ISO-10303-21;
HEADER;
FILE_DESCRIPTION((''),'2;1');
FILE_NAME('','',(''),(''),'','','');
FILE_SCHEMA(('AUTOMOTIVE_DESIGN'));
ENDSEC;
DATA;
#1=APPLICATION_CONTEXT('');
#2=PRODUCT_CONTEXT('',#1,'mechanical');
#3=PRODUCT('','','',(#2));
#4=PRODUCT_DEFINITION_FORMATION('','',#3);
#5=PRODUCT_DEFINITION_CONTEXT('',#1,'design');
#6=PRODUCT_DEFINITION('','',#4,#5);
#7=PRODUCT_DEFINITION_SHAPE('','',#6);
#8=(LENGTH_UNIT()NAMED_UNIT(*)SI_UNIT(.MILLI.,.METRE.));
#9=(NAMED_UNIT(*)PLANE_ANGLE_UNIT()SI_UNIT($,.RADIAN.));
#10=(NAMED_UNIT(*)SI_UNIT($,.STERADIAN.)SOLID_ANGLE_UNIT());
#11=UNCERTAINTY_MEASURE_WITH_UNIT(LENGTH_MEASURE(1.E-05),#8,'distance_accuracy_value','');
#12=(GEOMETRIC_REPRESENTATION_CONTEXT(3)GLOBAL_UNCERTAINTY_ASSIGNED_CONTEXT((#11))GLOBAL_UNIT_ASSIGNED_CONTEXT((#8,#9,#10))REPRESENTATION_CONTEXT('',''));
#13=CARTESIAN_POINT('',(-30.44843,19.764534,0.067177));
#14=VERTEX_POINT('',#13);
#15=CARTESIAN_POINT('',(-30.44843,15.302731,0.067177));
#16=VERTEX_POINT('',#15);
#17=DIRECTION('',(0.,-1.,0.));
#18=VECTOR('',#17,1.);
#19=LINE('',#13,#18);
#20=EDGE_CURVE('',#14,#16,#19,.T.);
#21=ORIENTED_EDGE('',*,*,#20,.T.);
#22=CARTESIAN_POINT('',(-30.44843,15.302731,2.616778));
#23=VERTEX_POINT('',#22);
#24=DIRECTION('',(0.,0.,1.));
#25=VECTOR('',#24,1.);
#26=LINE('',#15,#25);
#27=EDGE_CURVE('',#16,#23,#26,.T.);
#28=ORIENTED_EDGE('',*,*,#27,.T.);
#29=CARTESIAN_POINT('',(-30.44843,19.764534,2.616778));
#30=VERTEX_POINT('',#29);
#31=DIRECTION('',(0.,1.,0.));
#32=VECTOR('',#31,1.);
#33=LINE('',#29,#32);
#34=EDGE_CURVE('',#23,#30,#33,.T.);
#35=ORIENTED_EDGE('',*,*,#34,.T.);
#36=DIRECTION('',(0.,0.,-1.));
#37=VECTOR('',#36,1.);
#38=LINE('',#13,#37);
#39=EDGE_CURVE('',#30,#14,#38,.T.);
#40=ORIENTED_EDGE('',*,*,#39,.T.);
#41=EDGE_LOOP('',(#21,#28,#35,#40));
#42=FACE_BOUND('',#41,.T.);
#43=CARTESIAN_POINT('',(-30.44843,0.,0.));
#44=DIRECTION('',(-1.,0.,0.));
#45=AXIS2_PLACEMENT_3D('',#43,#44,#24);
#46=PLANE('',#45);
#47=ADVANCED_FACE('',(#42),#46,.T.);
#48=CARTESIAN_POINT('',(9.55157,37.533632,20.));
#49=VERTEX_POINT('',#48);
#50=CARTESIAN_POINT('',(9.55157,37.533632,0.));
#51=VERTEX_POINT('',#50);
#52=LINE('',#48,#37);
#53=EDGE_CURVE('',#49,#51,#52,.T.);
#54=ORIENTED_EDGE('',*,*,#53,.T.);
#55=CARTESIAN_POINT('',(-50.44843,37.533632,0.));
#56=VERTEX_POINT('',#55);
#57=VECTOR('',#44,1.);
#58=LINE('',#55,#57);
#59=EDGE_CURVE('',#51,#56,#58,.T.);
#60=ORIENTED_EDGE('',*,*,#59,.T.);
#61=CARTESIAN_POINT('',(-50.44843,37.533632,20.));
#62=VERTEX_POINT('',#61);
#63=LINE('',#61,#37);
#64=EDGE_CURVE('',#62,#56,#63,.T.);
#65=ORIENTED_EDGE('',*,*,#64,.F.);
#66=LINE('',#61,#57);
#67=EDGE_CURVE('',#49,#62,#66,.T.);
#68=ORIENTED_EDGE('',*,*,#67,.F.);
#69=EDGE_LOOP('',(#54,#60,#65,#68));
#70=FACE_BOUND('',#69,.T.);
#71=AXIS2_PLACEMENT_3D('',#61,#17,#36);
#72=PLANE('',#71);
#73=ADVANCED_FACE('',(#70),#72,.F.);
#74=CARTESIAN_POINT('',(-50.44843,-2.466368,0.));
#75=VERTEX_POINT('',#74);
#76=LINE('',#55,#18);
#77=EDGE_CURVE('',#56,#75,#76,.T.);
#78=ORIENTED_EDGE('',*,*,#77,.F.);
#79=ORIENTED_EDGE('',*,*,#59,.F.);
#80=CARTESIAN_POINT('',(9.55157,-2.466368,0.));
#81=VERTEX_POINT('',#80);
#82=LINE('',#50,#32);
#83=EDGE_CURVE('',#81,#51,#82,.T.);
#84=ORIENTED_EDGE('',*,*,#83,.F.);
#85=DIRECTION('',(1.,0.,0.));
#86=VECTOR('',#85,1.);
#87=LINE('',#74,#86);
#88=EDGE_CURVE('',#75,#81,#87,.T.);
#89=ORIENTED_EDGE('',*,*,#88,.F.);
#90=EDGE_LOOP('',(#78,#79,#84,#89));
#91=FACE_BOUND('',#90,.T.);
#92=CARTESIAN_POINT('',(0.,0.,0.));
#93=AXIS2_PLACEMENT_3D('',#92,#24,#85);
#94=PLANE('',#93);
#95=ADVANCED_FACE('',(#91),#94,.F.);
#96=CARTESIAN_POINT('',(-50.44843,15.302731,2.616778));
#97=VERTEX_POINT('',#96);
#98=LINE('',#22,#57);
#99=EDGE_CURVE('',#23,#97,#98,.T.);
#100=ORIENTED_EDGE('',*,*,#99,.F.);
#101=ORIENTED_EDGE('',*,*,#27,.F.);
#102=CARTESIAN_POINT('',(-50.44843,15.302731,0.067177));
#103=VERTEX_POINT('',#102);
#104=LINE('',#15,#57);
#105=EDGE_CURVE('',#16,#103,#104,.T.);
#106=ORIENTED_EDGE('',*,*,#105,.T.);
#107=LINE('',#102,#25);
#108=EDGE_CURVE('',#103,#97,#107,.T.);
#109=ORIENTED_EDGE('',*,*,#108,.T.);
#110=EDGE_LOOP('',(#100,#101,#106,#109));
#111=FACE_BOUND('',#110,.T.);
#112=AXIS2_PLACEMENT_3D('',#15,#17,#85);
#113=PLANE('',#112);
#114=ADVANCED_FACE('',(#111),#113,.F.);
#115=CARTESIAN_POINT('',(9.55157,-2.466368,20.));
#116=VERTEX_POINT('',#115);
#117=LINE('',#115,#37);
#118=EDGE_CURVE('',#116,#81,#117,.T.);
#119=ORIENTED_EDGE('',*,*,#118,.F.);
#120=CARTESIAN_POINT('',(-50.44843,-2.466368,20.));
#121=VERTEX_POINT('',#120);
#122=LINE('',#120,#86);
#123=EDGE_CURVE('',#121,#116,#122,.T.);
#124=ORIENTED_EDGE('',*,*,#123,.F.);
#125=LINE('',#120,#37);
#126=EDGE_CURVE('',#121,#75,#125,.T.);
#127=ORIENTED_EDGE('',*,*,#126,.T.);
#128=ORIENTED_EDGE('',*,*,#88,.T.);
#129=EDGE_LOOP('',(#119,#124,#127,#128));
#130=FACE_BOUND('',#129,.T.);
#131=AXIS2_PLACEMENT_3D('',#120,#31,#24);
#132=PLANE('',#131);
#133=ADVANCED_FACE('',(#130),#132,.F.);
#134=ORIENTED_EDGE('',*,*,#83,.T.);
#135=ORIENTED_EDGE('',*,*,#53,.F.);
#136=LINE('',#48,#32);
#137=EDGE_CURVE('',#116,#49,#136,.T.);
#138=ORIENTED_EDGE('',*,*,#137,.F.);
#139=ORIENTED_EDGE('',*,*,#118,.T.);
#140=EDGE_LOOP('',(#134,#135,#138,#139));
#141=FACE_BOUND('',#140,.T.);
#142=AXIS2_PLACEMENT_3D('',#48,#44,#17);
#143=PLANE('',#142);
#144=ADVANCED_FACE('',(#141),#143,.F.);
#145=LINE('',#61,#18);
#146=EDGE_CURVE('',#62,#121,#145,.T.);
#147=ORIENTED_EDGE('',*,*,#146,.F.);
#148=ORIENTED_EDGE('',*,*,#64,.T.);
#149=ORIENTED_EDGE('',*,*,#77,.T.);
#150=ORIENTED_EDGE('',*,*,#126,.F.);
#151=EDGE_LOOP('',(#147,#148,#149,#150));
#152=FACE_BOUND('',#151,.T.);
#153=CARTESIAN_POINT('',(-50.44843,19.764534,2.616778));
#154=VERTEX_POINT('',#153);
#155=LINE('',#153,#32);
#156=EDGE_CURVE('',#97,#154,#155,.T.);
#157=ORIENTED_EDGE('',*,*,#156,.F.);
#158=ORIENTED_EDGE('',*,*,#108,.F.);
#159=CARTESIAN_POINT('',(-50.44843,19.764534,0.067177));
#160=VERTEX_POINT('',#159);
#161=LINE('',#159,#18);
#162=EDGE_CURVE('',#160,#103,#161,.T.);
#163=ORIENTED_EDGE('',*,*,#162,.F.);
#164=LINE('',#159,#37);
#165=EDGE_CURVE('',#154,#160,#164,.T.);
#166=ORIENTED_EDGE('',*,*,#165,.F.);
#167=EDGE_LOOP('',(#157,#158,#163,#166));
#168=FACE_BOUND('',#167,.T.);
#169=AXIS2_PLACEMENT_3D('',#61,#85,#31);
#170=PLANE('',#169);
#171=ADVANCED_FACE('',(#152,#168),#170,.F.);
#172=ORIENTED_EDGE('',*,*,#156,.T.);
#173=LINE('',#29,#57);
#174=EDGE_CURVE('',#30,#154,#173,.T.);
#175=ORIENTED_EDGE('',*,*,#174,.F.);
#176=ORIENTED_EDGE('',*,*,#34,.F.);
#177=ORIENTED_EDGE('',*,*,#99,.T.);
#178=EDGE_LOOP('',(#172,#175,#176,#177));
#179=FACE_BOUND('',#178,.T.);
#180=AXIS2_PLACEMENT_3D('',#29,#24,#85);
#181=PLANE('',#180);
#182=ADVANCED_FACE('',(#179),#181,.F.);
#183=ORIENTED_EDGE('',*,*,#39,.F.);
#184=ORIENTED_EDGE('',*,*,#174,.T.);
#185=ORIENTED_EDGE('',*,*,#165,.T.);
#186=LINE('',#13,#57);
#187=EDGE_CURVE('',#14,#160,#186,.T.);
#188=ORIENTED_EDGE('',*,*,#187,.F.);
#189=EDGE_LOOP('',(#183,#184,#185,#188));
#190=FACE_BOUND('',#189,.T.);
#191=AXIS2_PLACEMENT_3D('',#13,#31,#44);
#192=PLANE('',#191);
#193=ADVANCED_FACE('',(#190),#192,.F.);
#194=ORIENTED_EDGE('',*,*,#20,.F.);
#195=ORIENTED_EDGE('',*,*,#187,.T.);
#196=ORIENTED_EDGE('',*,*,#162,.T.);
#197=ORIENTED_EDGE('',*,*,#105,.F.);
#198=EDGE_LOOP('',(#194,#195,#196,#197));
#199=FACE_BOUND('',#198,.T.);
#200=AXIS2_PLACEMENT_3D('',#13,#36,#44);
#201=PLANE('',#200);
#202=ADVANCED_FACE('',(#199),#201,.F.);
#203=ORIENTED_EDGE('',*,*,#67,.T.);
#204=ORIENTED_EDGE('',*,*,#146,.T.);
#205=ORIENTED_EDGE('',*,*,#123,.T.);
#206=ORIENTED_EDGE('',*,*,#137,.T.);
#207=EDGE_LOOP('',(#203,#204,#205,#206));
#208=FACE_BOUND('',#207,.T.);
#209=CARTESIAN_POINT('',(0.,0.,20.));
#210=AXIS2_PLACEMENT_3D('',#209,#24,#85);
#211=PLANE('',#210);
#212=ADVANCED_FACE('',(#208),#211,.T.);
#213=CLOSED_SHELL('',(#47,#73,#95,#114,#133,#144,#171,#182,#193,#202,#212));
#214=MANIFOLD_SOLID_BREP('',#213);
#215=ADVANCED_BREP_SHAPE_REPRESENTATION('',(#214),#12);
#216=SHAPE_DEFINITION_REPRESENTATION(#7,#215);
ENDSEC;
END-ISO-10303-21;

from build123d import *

# Parameters (mm, degrees)
SKETCH1_W           = 60
SKETCH1_H           = 40
BOSS_EXTRUDE1_DEPTH = 20
SKETCH2_W           = 2.54960173
SKETCH2_H           = 4.461803028
CUT_EXTRUDE1_DEPTH  = 20


with BuildPart() as part:
    # Sketch1 → Boss-Extrude1 (new body)
    with BuildSketch(Plane.XY):
        with Locations((-20.448430493, 17.533632287)):
            Rectangle(SKETCH1_W, SKETCH1_H)
    extrude(amount=BOSS_EXTRUDE1_DEPTH)

    # Sketch2 → Cut-Extrude1 (cut)
    with BuildSketch(Plane.ZY.offset(50.448430493)):
        with Locations((1.341977458, 17.533632287)):
            Rectangle(SKETCH2_W, SKETCH2_H)
    extrude(amount=-CUT_EXTRUDE1_DEPTH, mode=Mode.SUBTRACT)


solid = part.part
